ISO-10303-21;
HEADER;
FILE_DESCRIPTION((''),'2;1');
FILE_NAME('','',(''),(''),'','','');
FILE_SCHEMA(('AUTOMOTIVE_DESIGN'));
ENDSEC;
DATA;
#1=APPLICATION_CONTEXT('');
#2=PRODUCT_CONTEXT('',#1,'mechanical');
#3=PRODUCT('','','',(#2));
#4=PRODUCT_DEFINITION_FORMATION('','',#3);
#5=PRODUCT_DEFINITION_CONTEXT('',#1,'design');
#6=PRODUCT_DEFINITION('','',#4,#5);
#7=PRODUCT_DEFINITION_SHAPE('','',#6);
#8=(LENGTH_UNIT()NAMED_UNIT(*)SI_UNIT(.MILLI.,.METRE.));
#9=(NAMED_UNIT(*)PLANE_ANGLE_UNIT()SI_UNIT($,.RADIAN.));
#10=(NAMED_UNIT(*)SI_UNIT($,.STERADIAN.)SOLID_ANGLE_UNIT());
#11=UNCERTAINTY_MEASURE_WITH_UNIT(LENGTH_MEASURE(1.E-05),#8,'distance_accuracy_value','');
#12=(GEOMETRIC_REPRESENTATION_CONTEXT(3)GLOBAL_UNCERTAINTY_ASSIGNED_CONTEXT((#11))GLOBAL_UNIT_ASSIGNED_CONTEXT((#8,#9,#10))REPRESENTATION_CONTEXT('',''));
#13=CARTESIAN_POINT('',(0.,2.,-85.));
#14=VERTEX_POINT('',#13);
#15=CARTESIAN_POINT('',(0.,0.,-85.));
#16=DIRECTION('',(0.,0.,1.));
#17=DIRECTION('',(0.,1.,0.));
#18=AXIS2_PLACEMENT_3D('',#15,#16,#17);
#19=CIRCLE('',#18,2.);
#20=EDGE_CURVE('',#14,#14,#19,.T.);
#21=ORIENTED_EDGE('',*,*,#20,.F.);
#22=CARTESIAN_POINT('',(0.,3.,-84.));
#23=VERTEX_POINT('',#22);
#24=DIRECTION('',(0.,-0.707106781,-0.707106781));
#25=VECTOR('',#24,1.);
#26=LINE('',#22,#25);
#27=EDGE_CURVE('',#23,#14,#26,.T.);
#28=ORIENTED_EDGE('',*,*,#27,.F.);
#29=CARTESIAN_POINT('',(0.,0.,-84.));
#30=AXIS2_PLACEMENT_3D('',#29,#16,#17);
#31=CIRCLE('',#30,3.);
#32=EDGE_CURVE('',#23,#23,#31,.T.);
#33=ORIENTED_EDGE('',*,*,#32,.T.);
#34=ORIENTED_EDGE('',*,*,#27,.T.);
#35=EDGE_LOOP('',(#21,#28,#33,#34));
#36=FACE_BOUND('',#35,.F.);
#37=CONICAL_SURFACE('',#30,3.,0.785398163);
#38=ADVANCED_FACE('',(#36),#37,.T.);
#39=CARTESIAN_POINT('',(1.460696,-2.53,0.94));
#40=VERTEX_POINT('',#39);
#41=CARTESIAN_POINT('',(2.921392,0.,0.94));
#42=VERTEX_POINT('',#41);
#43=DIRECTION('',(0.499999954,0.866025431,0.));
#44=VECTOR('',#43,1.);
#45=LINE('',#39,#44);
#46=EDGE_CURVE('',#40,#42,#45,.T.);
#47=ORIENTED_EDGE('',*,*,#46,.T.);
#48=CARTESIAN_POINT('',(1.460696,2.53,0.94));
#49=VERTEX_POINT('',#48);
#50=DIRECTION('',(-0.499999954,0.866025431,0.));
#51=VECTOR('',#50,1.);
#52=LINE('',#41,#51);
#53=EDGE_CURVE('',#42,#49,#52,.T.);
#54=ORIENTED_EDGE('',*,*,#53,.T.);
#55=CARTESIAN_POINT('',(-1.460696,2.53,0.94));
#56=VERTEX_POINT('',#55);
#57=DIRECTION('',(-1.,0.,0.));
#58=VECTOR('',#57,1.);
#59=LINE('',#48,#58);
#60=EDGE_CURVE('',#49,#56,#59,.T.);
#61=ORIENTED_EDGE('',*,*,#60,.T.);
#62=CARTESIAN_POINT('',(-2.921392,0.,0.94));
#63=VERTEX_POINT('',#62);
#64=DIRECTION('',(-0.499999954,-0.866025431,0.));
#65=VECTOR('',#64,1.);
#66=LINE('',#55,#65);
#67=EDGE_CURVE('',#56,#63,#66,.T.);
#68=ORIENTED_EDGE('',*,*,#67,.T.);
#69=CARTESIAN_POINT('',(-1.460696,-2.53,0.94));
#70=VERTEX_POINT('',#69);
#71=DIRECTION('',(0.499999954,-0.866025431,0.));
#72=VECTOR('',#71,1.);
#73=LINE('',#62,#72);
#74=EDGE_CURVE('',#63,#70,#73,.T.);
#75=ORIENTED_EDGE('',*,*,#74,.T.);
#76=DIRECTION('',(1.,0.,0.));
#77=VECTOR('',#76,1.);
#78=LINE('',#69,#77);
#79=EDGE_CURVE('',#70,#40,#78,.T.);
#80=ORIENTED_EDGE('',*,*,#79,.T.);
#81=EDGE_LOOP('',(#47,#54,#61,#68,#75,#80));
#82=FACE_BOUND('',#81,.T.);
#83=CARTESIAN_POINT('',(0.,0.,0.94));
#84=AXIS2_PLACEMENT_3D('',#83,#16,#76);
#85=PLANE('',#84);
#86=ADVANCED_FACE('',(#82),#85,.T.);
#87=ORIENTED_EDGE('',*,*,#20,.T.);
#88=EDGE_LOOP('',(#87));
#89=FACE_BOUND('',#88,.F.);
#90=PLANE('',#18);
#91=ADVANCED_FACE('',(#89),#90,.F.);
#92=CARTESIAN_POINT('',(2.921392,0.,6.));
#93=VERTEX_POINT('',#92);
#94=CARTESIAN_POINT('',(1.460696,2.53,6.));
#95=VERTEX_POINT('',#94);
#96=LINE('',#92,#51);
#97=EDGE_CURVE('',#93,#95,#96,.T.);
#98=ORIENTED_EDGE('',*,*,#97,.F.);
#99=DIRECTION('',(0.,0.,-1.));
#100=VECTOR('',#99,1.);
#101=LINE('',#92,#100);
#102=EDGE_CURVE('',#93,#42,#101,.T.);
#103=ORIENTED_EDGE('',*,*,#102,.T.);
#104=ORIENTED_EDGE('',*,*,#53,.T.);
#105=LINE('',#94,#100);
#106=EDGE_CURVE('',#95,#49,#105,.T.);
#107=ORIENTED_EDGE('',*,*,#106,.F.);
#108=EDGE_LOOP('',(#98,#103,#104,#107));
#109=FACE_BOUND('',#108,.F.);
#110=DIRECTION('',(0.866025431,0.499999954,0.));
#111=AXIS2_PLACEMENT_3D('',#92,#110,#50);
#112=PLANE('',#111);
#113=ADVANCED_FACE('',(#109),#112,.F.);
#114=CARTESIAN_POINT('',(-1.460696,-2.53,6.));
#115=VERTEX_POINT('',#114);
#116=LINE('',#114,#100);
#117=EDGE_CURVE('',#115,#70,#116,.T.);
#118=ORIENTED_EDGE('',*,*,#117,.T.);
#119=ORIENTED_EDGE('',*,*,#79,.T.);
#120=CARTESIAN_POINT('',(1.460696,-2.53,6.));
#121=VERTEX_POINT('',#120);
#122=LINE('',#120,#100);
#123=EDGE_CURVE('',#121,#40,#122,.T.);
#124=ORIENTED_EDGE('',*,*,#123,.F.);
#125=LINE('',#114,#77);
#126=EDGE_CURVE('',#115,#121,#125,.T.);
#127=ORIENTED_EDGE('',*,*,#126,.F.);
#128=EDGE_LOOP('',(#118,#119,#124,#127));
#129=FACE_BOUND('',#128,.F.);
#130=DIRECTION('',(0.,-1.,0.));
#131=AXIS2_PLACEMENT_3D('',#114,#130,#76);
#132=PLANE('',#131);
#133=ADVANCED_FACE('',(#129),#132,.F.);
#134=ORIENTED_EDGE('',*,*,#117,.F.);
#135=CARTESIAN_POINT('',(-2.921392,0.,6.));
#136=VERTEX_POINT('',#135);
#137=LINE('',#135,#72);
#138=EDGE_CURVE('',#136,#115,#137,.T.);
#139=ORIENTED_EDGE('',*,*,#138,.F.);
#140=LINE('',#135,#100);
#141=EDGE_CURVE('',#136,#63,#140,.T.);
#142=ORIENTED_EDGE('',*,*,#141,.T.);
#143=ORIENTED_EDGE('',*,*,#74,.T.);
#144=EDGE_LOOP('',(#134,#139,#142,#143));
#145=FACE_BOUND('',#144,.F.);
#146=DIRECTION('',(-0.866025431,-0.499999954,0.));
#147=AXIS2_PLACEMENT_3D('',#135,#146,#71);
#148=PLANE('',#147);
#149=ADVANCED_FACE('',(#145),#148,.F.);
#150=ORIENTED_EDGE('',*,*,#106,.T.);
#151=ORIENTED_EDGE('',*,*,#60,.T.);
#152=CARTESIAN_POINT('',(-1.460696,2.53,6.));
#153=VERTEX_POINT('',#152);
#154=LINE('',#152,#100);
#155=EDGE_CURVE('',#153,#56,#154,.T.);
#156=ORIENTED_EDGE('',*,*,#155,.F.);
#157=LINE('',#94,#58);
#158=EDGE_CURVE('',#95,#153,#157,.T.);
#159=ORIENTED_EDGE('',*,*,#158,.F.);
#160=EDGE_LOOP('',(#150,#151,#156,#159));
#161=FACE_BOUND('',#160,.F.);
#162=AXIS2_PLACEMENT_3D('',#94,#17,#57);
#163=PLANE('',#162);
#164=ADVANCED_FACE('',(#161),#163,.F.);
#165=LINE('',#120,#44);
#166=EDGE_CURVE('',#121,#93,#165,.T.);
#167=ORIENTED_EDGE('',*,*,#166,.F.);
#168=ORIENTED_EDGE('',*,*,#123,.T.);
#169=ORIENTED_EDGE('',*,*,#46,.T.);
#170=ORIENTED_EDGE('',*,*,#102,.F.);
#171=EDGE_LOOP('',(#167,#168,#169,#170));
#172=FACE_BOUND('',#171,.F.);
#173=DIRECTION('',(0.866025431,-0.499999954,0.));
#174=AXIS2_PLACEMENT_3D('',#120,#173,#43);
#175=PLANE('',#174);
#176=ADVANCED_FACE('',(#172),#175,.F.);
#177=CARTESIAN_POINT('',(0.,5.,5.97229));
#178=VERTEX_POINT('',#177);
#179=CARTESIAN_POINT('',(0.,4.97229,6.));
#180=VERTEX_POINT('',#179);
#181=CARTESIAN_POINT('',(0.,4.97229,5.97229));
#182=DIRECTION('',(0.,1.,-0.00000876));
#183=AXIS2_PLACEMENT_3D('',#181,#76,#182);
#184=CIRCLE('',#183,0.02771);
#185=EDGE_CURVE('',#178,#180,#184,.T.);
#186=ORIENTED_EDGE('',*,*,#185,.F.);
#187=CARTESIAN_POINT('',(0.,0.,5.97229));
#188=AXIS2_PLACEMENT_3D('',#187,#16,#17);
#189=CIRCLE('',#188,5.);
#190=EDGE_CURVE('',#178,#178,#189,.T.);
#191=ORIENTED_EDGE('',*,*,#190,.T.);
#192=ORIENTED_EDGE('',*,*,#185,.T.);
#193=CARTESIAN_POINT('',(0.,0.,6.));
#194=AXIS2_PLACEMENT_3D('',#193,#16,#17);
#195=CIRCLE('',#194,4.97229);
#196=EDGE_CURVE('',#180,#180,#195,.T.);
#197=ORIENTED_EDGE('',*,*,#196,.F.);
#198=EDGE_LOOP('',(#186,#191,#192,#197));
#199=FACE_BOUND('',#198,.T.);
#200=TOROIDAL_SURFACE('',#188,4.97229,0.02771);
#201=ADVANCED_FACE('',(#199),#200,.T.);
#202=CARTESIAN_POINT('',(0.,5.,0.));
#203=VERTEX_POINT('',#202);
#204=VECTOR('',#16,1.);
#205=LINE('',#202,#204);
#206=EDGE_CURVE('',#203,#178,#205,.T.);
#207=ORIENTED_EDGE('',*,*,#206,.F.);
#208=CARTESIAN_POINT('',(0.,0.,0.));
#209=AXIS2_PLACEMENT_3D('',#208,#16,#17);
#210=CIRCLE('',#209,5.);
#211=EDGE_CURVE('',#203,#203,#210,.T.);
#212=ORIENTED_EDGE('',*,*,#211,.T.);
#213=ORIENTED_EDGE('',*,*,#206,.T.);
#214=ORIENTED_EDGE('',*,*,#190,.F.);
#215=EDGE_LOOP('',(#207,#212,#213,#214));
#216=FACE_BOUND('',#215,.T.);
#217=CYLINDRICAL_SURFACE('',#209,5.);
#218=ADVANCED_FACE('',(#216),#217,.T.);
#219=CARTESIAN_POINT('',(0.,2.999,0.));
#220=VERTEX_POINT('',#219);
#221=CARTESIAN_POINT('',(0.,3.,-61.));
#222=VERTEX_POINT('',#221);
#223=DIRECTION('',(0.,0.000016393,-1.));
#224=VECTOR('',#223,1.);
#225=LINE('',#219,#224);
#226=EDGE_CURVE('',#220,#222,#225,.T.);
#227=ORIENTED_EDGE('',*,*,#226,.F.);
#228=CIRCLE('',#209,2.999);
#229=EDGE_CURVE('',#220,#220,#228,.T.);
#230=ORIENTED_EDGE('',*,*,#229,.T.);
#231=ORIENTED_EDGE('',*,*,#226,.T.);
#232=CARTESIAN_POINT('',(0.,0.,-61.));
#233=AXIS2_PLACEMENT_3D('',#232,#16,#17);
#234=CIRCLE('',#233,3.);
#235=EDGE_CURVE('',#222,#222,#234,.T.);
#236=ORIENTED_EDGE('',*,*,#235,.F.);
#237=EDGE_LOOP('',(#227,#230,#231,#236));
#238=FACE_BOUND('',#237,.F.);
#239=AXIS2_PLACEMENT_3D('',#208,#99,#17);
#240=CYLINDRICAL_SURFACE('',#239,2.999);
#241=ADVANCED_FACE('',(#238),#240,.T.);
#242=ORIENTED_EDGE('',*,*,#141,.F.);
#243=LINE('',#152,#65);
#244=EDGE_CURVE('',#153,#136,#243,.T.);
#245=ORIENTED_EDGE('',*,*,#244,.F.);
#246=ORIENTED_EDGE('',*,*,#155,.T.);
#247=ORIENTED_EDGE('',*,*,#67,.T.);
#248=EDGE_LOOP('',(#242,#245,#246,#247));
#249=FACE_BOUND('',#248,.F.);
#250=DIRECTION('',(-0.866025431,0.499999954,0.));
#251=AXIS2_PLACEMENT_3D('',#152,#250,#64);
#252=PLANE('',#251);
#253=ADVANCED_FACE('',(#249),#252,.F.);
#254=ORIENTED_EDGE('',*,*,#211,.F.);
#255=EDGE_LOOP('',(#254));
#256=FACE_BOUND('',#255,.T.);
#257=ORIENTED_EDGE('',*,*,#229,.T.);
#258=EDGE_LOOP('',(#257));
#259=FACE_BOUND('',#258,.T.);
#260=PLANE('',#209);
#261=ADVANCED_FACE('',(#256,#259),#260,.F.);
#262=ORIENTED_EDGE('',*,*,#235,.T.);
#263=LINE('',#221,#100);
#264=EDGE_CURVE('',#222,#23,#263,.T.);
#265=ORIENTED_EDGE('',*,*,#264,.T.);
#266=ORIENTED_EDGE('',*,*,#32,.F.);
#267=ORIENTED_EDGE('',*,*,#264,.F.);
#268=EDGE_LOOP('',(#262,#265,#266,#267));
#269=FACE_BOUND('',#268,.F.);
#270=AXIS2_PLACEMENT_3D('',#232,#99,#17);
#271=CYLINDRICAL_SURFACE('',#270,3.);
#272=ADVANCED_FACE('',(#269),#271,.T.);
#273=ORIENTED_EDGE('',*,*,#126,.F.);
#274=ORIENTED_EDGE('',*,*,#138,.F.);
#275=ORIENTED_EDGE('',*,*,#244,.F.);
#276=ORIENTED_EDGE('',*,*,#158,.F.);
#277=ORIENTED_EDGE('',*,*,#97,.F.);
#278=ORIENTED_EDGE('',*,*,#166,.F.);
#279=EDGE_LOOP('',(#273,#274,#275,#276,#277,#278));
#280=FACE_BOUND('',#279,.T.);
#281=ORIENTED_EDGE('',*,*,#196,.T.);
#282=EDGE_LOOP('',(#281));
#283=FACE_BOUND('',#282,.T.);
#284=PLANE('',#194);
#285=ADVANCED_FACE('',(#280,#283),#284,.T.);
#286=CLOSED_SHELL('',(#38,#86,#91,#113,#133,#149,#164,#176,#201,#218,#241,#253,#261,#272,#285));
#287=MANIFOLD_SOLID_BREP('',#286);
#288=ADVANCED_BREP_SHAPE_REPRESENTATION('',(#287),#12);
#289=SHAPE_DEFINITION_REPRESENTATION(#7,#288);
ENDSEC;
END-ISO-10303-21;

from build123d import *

# Parameters (mm, degrees)
POCKET_DEPTH = 5.06


with BuildPart() as part:
    # Sketch → Revolve (revolve)
    with BuildSketch(Plane.YZ):
        with BuildLine():
            Line((2.999, 0), (5, 0))
            Line((5, 0), (5, 5.97229))
            ThreePointArc((5, 5.97229), (4.991884, 5.991884), (4.97229, 6))
            Line((4.97229, 6), (0, 6))
            Line((0, -85), (0, 6))
            Line((2, -85), (0, -85))
            Line((3, -84), (2, -85))
            Line((3, -61), (3, -84))
            Line((2.999, 0), (3, -61))
        make_face()
    revolve(axis=Axis((0, 0, 0), (0, 0, 1)))

    # Sketch001 → Pocket (cut)
    with BuildSketch(Plane.XY.offset(6)):
        Polygon((2.921392, 0), (1.460696, 2.53), (-1.460696, 2.53), (-2.921392, 0), (-1.460696, -2.53), (1.460696, -2.53), align=None)
    extrude(amount=-POCKET_DEPTH, mode=Mode.SUBTRACT)


solid = part.part
